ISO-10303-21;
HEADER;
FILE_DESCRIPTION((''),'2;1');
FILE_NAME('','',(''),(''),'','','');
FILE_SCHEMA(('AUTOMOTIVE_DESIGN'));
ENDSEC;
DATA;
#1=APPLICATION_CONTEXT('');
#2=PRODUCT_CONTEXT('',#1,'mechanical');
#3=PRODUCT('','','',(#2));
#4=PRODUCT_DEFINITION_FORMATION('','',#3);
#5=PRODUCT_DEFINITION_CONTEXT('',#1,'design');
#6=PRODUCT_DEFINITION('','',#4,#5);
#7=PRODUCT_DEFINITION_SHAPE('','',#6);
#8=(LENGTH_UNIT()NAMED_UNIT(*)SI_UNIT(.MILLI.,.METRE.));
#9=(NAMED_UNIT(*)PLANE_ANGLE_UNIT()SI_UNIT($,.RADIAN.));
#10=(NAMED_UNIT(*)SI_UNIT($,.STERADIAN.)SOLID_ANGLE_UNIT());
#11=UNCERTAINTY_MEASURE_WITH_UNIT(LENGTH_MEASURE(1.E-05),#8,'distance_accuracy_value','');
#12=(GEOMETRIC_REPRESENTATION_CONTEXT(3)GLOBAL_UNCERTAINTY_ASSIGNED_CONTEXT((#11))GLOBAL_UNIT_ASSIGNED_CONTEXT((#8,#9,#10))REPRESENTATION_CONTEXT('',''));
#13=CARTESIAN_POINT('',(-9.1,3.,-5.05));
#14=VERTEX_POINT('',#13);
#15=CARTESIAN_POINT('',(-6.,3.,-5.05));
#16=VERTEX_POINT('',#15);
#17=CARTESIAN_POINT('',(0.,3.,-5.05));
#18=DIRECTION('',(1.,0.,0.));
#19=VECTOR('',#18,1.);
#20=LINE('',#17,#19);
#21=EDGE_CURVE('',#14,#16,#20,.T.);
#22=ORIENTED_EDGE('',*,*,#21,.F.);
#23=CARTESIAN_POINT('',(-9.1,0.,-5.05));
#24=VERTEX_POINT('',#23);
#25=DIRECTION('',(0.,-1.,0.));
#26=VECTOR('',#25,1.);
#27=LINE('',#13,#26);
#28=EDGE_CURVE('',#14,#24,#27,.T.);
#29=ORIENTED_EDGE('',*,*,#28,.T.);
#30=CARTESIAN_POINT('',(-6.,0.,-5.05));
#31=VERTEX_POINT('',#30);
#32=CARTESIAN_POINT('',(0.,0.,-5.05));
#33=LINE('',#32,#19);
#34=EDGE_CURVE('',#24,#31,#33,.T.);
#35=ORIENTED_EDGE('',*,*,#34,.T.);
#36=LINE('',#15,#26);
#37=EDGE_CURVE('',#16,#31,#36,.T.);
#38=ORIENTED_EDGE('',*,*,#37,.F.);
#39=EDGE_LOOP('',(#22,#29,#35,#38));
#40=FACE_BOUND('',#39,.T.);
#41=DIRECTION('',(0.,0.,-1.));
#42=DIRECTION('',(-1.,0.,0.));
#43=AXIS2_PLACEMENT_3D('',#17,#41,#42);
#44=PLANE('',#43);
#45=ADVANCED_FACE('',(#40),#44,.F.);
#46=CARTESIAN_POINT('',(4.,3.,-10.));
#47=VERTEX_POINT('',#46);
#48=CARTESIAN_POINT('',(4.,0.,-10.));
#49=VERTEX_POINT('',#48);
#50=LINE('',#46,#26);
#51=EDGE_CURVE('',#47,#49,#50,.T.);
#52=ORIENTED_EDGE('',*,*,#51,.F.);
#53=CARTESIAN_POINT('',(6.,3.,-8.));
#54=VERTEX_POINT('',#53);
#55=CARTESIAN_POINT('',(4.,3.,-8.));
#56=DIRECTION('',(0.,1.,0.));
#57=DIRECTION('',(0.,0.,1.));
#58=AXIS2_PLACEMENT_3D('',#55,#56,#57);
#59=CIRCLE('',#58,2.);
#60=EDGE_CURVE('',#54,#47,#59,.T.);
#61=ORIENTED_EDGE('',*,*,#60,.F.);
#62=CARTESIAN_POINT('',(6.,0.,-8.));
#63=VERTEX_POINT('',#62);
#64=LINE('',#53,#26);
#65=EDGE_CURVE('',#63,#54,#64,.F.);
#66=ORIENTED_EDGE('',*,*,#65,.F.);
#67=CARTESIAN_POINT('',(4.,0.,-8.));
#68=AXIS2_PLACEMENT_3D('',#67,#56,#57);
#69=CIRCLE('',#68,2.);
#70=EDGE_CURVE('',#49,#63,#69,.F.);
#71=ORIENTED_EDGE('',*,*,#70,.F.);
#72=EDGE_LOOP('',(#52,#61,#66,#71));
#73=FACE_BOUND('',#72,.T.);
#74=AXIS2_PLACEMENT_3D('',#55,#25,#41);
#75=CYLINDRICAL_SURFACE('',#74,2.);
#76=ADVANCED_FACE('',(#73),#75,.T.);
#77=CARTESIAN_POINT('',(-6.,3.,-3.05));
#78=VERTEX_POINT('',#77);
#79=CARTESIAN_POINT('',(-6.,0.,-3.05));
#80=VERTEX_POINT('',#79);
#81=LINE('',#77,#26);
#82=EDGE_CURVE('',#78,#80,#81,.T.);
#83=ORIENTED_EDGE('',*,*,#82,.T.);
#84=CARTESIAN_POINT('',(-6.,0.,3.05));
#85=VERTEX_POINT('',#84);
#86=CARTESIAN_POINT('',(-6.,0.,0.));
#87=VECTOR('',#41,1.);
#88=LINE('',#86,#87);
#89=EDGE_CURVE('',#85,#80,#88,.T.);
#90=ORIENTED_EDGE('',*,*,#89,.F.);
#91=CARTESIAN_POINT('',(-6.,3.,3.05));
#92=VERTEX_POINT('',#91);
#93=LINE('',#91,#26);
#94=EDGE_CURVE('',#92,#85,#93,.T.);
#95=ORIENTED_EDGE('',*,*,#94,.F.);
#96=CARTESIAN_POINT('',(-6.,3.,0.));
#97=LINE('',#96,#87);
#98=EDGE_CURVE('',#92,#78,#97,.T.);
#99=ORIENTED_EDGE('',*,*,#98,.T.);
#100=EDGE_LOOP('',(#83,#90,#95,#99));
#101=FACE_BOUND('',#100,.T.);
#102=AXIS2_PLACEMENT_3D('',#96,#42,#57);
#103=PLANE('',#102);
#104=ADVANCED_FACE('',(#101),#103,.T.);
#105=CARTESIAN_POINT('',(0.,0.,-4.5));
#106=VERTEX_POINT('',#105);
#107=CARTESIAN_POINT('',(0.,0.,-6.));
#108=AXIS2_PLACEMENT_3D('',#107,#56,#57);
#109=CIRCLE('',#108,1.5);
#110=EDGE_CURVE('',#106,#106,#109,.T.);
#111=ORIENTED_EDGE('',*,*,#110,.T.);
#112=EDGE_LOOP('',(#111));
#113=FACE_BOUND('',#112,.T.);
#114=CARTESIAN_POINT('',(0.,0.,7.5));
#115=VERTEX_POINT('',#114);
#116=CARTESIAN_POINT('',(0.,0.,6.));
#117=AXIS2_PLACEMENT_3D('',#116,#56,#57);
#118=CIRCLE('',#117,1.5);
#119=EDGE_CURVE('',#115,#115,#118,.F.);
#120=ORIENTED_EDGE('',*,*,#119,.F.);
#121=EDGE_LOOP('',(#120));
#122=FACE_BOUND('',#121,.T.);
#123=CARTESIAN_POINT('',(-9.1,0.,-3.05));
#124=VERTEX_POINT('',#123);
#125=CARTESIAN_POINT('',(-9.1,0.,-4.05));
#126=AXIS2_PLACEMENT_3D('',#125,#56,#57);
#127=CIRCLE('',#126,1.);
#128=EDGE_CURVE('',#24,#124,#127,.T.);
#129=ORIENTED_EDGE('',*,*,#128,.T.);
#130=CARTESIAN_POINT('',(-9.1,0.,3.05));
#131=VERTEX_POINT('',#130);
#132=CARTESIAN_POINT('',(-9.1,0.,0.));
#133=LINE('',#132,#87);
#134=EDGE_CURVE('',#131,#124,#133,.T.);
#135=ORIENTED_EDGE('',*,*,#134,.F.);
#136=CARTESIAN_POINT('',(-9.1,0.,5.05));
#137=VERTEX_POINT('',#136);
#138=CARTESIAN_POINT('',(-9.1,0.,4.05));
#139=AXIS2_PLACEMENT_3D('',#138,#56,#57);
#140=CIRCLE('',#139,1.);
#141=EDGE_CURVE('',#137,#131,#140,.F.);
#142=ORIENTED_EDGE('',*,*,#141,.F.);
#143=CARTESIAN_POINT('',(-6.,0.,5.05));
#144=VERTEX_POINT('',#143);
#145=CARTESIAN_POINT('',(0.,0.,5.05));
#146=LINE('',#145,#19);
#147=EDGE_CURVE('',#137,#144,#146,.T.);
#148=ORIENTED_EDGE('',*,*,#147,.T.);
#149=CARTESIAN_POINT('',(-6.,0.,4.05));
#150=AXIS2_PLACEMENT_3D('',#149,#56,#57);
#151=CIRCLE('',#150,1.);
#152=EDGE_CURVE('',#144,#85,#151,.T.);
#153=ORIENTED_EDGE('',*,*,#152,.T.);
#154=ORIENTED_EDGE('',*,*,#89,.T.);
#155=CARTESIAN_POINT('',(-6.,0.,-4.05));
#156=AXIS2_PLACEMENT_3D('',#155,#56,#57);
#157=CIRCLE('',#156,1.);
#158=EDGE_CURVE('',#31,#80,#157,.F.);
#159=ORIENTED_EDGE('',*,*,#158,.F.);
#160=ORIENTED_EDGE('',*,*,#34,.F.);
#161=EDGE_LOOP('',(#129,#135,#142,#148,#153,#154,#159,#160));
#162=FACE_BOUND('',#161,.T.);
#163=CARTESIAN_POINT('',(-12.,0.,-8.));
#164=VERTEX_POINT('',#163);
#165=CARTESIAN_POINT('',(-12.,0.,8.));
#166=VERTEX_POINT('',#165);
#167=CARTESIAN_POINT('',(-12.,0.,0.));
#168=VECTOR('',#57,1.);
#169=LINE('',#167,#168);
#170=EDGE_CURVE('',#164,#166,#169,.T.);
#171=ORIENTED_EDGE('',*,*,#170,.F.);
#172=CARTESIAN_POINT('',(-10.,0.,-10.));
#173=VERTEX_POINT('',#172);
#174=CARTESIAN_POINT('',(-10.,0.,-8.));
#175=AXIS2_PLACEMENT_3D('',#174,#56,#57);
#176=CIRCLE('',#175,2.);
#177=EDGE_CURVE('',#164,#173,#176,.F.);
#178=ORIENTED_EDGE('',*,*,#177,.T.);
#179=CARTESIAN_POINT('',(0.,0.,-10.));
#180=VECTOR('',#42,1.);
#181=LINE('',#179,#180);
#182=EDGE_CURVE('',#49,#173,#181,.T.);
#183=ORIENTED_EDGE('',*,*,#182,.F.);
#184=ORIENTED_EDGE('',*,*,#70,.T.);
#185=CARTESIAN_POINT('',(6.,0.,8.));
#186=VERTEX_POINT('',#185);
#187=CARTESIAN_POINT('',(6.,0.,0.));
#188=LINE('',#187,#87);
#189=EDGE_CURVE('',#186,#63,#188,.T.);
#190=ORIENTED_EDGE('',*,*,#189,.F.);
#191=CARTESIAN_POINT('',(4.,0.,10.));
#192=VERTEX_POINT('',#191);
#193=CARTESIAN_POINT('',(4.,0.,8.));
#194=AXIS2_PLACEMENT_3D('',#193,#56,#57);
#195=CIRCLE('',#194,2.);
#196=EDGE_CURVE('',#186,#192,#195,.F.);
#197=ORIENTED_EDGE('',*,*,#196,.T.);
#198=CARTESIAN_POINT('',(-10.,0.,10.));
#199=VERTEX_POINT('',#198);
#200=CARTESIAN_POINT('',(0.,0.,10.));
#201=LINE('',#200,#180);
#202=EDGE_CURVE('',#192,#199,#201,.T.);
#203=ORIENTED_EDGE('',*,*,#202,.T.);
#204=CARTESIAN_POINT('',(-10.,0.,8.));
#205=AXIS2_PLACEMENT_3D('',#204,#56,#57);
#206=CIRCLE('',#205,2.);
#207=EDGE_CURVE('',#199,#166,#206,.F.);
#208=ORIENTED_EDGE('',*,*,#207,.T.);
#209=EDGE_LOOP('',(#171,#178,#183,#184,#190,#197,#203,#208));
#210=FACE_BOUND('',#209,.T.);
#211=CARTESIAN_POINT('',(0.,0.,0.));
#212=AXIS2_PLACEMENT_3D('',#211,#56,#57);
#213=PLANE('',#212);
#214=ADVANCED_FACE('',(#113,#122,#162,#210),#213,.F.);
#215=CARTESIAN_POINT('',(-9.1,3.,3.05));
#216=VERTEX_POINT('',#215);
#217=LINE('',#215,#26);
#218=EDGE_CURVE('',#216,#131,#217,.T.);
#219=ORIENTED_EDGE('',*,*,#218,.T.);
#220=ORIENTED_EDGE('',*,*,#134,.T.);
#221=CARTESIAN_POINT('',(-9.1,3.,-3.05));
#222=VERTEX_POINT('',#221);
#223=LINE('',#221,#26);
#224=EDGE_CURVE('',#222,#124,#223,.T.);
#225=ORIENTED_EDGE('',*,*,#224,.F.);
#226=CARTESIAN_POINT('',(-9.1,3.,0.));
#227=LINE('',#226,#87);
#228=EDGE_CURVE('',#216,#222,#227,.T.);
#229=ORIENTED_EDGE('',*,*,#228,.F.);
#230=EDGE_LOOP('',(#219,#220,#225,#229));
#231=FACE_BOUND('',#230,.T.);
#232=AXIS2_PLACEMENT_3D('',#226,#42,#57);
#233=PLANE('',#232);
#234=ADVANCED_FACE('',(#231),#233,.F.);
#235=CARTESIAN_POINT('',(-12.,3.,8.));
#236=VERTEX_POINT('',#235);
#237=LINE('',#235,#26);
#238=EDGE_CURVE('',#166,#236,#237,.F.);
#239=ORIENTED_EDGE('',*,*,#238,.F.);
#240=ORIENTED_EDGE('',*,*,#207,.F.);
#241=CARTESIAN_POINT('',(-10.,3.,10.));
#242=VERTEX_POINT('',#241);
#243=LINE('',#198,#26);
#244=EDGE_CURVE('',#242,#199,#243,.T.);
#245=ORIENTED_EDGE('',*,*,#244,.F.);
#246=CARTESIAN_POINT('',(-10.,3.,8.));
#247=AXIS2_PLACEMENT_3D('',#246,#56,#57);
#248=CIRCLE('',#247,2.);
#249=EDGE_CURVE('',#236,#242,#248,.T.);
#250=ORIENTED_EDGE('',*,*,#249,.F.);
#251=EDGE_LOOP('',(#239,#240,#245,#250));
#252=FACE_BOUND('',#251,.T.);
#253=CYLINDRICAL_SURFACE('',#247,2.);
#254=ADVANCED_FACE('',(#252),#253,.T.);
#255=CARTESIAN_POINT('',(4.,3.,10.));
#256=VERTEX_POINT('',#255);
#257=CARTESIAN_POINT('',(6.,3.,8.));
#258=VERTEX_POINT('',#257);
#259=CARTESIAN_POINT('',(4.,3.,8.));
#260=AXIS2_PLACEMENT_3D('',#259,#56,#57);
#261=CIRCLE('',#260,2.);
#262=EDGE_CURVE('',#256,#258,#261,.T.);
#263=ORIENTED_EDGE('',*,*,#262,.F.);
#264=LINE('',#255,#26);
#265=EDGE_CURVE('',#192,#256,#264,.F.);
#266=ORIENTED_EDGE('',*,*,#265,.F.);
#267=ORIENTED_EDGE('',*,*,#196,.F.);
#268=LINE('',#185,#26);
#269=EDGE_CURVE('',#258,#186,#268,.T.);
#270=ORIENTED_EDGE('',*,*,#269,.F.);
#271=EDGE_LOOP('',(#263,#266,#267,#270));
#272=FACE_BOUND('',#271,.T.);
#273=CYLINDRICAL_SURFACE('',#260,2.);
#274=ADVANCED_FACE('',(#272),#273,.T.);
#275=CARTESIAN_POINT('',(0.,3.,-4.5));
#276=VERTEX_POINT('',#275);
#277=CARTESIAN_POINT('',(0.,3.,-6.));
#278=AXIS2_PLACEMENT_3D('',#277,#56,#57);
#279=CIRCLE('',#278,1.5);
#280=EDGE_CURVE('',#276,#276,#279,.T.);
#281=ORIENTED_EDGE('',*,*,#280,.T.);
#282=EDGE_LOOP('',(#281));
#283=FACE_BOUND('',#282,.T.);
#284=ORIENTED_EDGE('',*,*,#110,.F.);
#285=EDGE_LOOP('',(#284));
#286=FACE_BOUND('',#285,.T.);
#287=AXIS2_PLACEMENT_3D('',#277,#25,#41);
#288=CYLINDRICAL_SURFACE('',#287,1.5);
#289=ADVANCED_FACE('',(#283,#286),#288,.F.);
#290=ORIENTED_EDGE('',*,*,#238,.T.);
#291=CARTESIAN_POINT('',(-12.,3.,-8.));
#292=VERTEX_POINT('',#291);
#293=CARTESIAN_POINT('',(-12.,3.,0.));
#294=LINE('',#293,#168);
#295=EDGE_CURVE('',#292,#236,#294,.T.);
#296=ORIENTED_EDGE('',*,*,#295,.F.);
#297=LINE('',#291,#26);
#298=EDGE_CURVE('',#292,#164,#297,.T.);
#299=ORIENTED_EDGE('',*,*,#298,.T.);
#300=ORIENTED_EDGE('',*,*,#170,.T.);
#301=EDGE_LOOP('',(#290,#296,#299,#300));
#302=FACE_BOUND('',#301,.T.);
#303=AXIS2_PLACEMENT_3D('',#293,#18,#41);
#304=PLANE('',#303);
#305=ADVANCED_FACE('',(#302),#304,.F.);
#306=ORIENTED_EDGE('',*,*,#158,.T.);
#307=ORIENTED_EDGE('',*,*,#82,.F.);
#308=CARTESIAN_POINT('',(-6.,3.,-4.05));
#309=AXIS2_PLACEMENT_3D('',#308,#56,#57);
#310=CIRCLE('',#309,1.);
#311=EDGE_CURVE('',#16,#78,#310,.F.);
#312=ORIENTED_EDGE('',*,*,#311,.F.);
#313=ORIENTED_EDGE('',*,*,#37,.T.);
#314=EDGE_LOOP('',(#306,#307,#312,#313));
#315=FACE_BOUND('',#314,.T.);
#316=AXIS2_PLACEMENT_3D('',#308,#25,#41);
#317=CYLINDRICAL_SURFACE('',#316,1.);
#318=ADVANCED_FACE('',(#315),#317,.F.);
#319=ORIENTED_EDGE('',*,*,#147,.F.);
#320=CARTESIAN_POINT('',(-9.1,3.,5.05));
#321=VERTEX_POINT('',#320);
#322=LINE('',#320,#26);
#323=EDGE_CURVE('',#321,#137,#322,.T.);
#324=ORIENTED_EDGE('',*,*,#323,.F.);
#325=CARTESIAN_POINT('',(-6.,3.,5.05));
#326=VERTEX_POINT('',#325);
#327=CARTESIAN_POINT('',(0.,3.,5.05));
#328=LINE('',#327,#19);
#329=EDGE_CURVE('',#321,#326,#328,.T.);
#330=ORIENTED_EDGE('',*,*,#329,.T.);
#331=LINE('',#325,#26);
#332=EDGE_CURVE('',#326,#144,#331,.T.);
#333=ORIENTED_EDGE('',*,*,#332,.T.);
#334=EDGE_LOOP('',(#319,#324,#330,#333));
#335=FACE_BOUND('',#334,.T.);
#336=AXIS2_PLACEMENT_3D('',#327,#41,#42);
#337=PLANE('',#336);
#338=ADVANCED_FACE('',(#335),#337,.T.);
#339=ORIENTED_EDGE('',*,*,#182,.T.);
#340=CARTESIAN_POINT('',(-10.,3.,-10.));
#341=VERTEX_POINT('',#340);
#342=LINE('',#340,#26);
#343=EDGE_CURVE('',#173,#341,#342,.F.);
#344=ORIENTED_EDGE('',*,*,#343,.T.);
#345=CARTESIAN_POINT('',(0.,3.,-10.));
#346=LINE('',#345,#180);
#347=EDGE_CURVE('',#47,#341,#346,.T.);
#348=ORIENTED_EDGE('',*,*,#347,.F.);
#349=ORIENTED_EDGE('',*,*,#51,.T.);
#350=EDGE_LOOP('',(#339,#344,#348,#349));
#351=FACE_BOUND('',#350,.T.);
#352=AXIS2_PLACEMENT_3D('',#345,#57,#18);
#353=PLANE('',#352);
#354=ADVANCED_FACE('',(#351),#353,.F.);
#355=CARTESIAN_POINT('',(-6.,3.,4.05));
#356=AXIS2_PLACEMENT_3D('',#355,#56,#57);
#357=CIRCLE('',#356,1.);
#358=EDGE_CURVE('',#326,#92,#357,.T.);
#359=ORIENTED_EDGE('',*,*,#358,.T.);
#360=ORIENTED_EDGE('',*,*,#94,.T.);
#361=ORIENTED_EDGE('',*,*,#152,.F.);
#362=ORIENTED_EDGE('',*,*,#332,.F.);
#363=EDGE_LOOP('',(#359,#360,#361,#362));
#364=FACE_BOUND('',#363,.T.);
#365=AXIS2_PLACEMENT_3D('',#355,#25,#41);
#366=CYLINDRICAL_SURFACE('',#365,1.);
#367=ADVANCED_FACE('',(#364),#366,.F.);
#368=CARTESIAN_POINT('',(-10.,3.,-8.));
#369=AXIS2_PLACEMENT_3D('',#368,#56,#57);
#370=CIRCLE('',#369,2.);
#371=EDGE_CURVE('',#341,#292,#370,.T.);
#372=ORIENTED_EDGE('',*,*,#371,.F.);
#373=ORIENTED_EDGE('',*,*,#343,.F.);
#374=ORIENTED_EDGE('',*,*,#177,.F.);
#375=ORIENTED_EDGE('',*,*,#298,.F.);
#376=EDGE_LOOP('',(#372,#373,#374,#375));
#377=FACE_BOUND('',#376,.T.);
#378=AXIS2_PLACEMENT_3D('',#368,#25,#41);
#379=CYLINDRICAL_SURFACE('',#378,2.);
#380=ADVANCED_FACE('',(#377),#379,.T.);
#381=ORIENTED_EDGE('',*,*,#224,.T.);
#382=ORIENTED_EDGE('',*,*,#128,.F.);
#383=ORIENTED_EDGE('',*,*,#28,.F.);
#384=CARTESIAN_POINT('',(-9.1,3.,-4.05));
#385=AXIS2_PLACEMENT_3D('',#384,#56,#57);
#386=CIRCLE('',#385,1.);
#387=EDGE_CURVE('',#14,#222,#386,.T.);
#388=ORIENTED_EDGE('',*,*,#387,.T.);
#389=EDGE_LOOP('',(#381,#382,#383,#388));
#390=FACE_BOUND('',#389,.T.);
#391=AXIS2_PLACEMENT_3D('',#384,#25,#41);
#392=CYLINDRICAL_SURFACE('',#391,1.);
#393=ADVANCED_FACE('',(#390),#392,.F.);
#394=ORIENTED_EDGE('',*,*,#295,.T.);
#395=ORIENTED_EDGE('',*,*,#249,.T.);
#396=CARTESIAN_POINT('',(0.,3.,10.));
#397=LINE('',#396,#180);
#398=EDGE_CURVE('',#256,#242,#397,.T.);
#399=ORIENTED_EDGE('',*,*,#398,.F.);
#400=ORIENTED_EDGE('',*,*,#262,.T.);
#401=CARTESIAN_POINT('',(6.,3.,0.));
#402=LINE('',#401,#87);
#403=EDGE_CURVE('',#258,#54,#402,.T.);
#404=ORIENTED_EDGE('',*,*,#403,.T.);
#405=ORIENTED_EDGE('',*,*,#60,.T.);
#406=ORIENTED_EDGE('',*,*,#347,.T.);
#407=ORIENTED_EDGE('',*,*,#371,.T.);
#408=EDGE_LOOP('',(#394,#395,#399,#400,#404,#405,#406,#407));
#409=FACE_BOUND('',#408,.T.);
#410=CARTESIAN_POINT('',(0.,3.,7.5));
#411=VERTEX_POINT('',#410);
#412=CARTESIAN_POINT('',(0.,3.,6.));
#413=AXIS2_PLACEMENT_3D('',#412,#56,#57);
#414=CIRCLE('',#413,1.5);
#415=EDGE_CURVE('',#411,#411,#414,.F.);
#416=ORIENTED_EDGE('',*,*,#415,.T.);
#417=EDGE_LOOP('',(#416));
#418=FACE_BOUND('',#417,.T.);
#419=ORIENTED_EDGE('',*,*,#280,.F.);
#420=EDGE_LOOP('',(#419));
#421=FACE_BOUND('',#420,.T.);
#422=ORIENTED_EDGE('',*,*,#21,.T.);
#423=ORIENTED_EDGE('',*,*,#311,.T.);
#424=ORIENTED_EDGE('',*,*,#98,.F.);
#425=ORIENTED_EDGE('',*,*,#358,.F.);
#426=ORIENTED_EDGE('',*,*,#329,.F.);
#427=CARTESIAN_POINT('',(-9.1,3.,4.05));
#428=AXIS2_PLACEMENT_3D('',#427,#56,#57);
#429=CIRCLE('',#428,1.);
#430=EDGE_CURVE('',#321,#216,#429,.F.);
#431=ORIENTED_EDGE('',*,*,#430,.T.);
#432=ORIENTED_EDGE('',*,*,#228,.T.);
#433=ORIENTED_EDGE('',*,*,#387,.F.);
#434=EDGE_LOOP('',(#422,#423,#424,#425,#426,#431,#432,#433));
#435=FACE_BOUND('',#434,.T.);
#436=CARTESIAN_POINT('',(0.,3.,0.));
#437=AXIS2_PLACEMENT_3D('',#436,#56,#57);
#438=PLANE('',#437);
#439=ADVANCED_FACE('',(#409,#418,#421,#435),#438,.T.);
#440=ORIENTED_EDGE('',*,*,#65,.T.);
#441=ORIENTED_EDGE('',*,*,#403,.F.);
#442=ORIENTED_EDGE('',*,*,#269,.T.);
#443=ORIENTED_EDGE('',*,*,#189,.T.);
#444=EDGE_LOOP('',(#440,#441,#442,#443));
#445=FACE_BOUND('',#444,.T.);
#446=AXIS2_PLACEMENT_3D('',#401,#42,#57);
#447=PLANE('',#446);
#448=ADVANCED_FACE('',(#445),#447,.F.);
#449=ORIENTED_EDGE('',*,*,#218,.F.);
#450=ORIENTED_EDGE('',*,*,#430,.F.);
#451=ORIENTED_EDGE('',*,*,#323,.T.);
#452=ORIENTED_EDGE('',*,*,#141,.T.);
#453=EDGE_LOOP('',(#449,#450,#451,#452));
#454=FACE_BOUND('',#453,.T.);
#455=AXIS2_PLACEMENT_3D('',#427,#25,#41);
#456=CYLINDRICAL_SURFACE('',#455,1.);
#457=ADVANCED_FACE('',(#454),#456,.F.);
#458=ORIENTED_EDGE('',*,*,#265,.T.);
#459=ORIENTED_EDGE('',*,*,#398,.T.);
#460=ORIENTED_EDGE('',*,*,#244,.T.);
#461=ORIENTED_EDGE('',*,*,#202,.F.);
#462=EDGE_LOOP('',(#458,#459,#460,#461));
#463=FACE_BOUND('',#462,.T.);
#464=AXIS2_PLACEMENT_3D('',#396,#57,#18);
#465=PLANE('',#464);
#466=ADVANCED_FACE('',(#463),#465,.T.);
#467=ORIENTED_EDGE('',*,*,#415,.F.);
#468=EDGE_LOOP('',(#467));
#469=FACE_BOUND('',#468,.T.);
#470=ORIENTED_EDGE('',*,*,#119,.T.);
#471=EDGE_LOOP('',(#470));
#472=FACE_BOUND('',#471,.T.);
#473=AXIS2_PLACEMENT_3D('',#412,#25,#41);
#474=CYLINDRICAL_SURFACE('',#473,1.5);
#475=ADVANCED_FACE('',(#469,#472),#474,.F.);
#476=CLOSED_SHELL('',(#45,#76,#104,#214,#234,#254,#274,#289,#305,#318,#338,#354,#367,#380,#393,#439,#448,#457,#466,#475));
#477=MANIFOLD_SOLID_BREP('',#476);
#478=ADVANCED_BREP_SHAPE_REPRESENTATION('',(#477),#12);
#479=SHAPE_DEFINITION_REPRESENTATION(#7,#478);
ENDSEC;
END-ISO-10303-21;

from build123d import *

# Parameters (mm, degrees)
SKETCH_1_R      = 1.5
EXTRUDE_1_DEPTH = 3
FILLET_1_R      = 2


with BuildPart() as part:
    # 草图1 → 凸台-拉伸1 (new body)
    with BuildSketch(Plane(origin=(0, 0, 0), x_dir=(1, 0, 0), z_dir=(0, 1, 0))):
        Polygon((-12, -10), (-6, -10), (6, -10), (6, 10), (-6, 10), (-12, 10), align=None)
        with Locations(Location((0, -6, 0), (0, 0, 270))):
            Circle(SKETCH_1_R, mode=Mode.SUBTRACT)
        with BuildLine():
            Line((-6, -5.05), (-9.1, -5.05))
            ThreePointArc((-9.1, -5.05), (-10.1, -4.05), (-9.1, -3.05))
            Line((-9.1, -3.05), (-9.1, 3.05))
            ThreePointArc((-9.1, 3.05), (-10.1, 4.05), (-9.1, 5.05))
            Line((-9.1, 5.05), (-6, 5.05))
            ThreePointArc((-6, 5.05), (-5.292893219, 4.757106781), (-5, 4.05))
            ThreePointArc((-5, 4.05), (-5.292893219, 3.342893219), (-6, 3.05))
            Line((-6, 3.05), (-6, -3.05))
            ThreePointArc((-6, -3.05), (-5.292893219, -3.342893219), (-5, -4.05))
            ThreePointArc((-5, -4.05), (-5.292893219, -4.757106781), (-6, -5.05))
        make_face(mode=Mode.SUBTRACT)
        with Locations(Location((0, 6, 0), (0, 0, 270))):
            Circle(SKETCH_1_R, mode=Mode.SUBTRACT)
    extrude(amount=EXTRUDE_1_DEPTH)

    # 圆角1
    fillet_1_edges = [part.edges().sort_by_distance(p)[0] for p in [
        (6, 1.5, -10),
        (6, 1.5, 10),
        (-12, 1.5, 10),
        (-12, 1.5, -10),
    ]]
    fillet(fillet_1_edges, radius=FILLET_1_R)


solid = part.part
